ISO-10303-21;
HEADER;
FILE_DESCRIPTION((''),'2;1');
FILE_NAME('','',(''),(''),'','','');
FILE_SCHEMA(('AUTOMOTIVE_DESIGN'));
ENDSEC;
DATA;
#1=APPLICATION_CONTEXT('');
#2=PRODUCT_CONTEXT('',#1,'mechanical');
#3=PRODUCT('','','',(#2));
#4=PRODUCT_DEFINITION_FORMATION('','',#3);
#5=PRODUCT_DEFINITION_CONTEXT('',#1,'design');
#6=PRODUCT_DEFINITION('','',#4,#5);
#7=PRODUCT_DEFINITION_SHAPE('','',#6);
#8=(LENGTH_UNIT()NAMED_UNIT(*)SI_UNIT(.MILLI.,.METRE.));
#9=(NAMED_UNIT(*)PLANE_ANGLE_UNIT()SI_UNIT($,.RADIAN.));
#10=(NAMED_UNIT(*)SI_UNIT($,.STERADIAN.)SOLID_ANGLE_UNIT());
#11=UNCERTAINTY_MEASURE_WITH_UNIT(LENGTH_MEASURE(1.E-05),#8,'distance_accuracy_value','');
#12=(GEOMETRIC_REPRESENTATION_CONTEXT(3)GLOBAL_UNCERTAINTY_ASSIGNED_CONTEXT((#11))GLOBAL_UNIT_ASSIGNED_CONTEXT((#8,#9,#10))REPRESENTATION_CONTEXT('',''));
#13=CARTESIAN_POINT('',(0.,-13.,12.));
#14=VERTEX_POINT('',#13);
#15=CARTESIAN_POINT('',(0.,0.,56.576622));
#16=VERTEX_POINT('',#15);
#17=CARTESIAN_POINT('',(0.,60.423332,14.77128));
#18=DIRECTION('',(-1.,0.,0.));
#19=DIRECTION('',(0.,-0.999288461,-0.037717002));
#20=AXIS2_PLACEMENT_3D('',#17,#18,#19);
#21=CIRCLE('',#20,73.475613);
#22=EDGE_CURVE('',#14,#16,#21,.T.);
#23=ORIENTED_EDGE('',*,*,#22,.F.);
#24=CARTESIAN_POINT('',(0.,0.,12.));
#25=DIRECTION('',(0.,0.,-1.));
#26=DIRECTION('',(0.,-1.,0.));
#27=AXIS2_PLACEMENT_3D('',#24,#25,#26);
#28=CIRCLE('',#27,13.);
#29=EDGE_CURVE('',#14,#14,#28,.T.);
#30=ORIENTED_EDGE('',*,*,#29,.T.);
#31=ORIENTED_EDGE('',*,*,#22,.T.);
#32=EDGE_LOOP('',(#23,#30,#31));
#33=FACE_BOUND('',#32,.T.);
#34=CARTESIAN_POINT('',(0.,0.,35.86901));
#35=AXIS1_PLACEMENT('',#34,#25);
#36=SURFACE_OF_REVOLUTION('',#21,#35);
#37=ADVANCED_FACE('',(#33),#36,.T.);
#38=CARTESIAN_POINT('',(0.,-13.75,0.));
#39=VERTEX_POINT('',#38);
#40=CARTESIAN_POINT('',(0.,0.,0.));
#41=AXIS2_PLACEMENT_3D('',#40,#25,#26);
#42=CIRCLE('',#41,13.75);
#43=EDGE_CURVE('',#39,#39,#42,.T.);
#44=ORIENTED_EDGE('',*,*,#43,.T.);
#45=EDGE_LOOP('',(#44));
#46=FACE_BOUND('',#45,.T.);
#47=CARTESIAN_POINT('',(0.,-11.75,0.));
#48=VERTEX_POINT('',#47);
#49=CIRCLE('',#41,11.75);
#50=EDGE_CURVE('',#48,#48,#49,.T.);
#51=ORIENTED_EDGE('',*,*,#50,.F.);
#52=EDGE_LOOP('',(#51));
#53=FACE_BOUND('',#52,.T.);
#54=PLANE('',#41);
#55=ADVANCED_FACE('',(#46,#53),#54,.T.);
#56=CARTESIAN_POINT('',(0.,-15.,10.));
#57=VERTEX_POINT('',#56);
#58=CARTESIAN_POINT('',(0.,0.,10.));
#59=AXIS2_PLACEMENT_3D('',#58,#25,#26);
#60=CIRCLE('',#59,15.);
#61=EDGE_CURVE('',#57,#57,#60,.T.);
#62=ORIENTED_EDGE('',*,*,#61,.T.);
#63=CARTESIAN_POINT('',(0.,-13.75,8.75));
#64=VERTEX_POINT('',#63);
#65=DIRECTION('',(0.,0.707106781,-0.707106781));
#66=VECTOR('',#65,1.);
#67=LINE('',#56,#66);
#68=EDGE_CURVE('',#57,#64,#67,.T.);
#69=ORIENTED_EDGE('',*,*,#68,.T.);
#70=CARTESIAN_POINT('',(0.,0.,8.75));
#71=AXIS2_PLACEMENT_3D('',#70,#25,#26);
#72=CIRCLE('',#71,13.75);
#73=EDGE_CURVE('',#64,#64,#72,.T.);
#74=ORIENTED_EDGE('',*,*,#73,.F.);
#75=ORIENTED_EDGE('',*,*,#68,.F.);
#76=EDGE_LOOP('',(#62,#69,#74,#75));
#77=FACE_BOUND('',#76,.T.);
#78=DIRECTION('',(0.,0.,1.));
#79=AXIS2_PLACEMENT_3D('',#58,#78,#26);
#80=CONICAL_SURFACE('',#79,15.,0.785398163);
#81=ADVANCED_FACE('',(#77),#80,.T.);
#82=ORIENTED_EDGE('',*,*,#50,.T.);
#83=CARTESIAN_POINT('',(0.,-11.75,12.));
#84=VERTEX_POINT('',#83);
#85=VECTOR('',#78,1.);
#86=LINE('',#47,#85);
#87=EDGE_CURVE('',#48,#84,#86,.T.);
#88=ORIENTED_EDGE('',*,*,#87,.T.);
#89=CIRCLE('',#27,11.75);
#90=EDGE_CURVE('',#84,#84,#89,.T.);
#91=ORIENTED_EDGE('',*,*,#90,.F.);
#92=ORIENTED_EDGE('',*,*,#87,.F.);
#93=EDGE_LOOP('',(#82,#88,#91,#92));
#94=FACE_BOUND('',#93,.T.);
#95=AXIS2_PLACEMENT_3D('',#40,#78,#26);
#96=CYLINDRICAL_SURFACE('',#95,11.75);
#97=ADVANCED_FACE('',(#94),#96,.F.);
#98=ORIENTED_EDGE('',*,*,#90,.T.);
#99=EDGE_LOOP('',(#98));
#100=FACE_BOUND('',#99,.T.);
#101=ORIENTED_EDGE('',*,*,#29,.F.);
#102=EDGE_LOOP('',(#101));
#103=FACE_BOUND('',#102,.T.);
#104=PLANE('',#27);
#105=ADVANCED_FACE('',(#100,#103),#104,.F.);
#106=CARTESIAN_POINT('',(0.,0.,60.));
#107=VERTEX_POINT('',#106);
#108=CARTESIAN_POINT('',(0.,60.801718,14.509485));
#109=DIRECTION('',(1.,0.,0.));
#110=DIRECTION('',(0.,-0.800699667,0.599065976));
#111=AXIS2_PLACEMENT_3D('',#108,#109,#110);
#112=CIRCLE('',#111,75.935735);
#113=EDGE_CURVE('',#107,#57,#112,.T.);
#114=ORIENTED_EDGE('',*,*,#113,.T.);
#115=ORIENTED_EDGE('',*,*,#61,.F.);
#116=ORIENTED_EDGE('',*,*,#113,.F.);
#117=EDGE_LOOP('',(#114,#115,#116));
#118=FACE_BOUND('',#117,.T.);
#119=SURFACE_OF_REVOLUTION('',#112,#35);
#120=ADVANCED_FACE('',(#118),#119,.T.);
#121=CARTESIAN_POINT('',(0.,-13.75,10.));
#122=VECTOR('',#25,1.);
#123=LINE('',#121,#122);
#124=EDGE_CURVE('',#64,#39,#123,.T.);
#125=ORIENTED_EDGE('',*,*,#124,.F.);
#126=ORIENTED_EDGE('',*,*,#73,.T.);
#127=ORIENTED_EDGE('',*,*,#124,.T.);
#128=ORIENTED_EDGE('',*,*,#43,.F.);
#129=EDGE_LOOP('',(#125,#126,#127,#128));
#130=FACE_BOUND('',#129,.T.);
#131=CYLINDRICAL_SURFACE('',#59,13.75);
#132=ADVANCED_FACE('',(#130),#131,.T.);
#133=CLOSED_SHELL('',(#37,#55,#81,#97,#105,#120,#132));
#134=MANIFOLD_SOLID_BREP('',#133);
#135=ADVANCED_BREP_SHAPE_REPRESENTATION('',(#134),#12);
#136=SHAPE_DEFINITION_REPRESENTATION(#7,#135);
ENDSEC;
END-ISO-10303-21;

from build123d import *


with BuildPart() as f2:
    # F0 (on Right) → F2 (revolve)
    with BuildSketch(Plane.YZ):
        with BuildLine():
            Line((-13.75, 8.75), (-13.75, 0))
            Line((-13.75, 0), (-11.75, 0))
            Line((-11.75, 0), (-11.75, 12))
            Line((-11.75, 12), (-13, 12))
            ThreePointArc((-13, 12), (-10.1139005186, 35.3422425205), (0, 56.5766220124))
            Line((0, 56.5766220124), (0, 60))
            ThreePointArc((0, 60), (-11.9315253093, 36.3294575928), (-15, 10))
            Line((-15, 10), (-13.75, 10))
            Line((-13.75, 10), (-13.75, 8.75))
        make_face()
        Polygon((-15, 10), (-13.75, 8.75), (-13.75, 10), align=None)
    revolve(axis=Axis((0, 0, 35.8690097928), (0, 0, -1)))


solid = f2.part
